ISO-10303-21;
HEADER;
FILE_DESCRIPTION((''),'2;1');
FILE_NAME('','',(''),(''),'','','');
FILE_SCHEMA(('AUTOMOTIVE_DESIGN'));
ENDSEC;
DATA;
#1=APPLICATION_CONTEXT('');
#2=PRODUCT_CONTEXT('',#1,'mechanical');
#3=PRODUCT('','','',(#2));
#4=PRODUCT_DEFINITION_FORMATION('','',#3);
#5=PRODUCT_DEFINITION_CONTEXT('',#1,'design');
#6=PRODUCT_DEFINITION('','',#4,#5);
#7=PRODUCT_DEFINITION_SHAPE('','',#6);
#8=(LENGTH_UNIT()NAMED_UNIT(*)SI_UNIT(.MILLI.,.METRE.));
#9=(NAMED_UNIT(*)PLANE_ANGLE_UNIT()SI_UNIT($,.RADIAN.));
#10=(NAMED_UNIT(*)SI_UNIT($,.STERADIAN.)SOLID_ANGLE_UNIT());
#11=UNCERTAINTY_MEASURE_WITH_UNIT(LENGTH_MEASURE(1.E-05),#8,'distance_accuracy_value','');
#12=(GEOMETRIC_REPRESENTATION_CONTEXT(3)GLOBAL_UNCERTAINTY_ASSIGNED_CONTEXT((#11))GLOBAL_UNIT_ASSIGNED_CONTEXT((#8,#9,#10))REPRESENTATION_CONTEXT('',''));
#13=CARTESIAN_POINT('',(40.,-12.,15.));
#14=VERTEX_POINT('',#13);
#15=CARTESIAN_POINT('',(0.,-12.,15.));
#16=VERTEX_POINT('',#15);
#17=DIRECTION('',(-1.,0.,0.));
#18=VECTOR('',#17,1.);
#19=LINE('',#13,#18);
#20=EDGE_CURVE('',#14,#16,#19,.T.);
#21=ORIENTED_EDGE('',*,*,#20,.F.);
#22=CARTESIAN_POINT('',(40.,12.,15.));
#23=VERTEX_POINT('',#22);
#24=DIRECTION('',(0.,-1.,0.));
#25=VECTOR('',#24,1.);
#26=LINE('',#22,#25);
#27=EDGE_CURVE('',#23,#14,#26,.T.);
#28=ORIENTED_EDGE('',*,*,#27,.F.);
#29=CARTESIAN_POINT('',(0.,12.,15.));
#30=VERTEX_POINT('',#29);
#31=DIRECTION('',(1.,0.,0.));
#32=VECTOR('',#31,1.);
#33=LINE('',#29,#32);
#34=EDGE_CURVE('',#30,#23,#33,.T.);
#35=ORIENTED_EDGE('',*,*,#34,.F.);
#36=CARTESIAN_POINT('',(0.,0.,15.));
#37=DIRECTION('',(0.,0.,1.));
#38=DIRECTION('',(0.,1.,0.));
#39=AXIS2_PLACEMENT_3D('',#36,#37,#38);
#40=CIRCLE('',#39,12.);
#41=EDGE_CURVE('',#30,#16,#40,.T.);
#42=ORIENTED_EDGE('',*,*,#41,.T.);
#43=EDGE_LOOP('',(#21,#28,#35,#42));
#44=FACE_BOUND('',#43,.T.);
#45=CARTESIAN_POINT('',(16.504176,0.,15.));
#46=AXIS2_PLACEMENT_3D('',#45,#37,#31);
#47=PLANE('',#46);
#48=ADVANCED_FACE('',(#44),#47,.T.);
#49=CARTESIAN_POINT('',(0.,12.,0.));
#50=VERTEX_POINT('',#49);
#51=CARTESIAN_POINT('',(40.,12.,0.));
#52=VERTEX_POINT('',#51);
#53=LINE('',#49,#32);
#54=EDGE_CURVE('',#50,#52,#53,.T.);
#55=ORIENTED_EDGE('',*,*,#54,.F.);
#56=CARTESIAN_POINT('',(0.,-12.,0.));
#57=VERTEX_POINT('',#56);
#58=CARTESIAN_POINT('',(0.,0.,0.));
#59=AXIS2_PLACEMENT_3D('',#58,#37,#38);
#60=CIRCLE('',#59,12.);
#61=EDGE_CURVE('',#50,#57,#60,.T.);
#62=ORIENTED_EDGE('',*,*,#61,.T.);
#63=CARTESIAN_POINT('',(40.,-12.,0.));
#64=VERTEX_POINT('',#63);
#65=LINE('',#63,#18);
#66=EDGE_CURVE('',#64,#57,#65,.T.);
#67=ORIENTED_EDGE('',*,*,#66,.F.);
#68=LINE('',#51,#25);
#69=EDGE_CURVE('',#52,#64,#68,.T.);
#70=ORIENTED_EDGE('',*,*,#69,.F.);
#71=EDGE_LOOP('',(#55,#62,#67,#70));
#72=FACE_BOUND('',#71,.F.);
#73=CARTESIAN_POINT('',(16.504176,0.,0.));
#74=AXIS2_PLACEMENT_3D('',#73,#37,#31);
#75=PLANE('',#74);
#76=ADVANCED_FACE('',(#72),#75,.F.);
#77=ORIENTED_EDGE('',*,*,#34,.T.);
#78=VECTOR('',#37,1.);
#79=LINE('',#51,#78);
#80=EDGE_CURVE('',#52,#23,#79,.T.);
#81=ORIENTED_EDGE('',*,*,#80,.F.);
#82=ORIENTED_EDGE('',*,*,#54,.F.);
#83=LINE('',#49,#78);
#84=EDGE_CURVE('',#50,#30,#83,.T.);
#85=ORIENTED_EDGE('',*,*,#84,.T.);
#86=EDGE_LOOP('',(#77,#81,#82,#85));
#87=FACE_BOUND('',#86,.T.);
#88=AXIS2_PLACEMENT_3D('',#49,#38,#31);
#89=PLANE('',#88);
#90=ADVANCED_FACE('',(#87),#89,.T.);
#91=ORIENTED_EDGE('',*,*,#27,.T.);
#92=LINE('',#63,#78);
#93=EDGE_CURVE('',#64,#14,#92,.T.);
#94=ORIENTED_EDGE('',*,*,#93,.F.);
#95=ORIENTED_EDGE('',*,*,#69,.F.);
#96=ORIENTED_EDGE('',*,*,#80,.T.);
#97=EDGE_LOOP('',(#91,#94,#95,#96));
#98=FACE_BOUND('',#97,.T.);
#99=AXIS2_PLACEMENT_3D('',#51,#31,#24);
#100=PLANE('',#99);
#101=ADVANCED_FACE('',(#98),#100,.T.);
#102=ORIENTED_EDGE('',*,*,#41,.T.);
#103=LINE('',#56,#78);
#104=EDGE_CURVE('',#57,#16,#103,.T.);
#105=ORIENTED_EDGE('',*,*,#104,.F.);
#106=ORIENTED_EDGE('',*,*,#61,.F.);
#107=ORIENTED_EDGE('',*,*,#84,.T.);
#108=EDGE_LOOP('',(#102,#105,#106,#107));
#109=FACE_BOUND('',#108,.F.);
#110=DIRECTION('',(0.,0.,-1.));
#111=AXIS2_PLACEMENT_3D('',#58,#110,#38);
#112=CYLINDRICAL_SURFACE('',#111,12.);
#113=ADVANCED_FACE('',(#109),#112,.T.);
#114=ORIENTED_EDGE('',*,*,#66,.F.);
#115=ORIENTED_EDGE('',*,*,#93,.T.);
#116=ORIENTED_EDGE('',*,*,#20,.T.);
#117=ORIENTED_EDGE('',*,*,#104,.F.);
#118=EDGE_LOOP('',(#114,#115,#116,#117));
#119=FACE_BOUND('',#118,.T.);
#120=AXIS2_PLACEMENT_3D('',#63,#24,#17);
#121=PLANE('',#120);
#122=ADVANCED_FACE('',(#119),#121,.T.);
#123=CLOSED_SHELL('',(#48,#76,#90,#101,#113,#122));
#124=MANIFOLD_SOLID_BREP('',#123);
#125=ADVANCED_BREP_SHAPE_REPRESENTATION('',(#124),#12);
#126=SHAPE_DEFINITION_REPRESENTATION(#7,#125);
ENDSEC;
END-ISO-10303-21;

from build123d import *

# Parameters (mm, degrees)
PAD_DEPTH = 15


with BuildPart() as part:
    # Sketch → Pad (new body)
    with BuildSketch(Plane.XY):
        with BuildLine():
            ThreePointArc((0, 12), (-12, 0), (0, -12))
            Line((40, -12), (0, -12))
            Line((40, 12), (40, -12))
            Line((0, 12), (40, 12))
        make_face()
    extrude(amount=PAD_DEPTH)


solid = part.part
